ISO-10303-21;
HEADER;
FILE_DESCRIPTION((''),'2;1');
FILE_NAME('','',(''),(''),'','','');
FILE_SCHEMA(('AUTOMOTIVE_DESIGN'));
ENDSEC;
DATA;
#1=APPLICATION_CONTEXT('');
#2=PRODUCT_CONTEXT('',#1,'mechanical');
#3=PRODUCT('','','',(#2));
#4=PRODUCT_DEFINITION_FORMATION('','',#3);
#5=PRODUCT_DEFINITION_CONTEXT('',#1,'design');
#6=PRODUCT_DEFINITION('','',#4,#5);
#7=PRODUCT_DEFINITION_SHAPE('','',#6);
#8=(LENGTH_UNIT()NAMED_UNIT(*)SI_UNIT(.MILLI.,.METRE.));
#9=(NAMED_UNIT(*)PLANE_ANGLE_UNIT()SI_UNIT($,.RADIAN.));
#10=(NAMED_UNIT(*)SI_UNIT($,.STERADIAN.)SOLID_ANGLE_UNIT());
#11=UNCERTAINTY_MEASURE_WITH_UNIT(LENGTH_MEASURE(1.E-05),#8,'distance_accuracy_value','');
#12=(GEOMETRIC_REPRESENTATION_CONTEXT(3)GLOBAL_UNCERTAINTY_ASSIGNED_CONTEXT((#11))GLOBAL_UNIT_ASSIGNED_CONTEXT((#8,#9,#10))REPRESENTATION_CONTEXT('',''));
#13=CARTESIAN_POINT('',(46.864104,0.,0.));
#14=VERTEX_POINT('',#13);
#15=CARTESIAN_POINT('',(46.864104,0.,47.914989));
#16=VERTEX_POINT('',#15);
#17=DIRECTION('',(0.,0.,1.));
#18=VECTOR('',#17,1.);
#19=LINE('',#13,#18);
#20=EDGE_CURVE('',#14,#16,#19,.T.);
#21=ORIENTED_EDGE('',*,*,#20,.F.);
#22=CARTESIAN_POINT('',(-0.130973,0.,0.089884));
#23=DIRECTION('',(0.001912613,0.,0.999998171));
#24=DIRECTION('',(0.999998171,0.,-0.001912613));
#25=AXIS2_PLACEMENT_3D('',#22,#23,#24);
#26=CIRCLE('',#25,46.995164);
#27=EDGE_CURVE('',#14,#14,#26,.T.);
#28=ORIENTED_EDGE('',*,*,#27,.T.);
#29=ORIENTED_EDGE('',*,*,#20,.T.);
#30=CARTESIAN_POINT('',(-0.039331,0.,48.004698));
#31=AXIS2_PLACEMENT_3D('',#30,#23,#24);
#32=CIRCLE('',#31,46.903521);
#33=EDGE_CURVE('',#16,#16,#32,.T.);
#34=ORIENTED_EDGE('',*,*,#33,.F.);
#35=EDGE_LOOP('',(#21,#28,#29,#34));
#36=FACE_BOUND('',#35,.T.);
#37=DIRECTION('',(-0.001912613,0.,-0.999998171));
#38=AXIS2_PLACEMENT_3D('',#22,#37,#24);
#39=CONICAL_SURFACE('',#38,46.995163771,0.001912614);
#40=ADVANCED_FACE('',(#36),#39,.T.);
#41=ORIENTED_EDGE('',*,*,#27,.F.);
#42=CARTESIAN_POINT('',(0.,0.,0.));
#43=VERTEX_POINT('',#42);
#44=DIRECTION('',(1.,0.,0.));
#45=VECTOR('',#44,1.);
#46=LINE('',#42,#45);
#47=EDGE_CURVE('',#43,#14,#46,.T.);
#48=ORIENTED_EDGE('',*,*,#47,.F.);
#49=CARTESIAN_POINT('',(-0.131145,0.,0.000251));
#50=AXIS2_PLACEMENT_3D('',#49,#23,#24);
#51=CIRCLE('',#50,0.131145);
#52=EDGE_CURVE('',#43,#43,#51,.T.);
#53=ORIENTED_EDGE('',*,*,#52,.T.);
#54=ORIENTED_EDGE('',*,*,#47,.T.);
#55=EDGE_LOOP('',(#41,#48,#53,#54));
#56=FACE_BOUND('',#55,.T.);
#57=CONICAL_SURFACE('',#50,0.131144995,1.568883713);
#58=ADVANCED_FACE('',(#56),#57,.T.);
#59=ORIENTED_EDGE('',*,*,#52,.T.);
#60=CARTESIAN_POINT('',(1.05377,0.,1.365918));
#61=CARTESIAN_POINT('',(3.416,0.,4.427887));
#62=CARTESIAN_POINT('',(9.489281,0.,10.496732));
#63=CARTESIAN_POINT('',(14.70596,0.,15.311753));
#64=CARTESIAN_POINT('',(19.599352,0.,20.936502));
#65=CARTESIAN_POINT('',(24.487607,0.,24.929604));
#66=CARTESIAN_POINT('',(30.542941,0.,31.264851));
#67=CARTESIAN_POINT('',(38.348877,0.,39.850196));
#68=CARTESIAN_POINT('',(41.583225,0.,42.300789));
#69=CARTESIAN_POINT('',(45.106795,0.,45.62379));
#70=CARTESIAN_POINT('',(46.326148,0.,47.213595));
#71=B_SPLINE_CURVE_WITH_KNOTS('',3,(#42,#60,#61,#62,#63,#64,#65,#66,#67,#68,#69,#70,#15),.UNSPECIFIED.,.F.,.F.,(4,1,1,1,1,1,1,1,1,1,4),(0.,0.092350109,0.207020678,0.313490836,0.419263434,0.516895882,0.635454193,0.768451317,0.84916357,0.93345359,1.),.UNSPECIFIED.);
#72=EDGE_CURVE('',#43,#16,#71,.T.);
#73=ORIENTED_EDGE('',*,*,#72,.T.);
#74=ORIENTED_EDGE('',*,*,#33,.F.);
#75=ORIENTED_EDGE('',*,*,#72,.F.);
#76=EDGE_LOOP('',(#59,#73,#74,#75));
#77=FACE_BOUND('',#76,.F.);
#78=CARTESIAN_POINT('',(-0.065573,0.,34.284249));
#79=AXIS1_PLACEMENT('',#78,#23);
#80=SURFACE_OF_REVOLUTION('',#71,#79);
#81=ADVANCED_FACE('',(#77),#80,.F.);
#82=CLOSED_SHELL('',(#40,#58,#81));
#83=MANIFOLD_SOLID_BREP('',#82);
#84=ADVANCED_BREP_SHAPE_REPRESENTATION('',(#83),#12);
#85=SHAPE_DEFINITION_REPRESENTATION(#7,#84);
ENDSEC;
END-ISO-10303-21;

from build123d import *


with BuildPart() as f1:
    # F0 (on Front) → F1 (revolve)
    with BuildSketch(Plane.XZ):
        with BuildLine():
            add(Edge.make_bspline(
                [(0, 0), (1.0537699697, 1.3659175794), (3.4159996914, 4.4278866962), (9.4892812571, 10.4967318406), (14.7059598169, 15.3117528766), (19.599351584, 20.9365023125), (24.4876066732, 24.9296042225), (30.542940558, 31.2648509731), (38.3488768155, 39.8501962783), (41.5832249059, 42.3007887636), (45.1067953072, 45.6237902587), (46.3261475087, 47.2135950627), (46.8641044932, 47.9149892926)],
                knots=[0, 0, 0, 0, 0.0923501094, 0.2070206776, 0.3134908357, 0.4192634343, 0.5168958816, 0.6354541926, 0.7684513167, 0.8491635697, 0.9334535903, 1, 1, 1, 1], degree=3))
            Line((0, 0), (46.8641044932, 0))
            Line((46.8641044932, 0), (46.8641044932, 47.9149892926))
        make_face()
    revolve(axis=Axis((-0.065572618, 0, 34.2842489481), (0.0019126129, 0, 0.999998171)))


solid = f1.part
